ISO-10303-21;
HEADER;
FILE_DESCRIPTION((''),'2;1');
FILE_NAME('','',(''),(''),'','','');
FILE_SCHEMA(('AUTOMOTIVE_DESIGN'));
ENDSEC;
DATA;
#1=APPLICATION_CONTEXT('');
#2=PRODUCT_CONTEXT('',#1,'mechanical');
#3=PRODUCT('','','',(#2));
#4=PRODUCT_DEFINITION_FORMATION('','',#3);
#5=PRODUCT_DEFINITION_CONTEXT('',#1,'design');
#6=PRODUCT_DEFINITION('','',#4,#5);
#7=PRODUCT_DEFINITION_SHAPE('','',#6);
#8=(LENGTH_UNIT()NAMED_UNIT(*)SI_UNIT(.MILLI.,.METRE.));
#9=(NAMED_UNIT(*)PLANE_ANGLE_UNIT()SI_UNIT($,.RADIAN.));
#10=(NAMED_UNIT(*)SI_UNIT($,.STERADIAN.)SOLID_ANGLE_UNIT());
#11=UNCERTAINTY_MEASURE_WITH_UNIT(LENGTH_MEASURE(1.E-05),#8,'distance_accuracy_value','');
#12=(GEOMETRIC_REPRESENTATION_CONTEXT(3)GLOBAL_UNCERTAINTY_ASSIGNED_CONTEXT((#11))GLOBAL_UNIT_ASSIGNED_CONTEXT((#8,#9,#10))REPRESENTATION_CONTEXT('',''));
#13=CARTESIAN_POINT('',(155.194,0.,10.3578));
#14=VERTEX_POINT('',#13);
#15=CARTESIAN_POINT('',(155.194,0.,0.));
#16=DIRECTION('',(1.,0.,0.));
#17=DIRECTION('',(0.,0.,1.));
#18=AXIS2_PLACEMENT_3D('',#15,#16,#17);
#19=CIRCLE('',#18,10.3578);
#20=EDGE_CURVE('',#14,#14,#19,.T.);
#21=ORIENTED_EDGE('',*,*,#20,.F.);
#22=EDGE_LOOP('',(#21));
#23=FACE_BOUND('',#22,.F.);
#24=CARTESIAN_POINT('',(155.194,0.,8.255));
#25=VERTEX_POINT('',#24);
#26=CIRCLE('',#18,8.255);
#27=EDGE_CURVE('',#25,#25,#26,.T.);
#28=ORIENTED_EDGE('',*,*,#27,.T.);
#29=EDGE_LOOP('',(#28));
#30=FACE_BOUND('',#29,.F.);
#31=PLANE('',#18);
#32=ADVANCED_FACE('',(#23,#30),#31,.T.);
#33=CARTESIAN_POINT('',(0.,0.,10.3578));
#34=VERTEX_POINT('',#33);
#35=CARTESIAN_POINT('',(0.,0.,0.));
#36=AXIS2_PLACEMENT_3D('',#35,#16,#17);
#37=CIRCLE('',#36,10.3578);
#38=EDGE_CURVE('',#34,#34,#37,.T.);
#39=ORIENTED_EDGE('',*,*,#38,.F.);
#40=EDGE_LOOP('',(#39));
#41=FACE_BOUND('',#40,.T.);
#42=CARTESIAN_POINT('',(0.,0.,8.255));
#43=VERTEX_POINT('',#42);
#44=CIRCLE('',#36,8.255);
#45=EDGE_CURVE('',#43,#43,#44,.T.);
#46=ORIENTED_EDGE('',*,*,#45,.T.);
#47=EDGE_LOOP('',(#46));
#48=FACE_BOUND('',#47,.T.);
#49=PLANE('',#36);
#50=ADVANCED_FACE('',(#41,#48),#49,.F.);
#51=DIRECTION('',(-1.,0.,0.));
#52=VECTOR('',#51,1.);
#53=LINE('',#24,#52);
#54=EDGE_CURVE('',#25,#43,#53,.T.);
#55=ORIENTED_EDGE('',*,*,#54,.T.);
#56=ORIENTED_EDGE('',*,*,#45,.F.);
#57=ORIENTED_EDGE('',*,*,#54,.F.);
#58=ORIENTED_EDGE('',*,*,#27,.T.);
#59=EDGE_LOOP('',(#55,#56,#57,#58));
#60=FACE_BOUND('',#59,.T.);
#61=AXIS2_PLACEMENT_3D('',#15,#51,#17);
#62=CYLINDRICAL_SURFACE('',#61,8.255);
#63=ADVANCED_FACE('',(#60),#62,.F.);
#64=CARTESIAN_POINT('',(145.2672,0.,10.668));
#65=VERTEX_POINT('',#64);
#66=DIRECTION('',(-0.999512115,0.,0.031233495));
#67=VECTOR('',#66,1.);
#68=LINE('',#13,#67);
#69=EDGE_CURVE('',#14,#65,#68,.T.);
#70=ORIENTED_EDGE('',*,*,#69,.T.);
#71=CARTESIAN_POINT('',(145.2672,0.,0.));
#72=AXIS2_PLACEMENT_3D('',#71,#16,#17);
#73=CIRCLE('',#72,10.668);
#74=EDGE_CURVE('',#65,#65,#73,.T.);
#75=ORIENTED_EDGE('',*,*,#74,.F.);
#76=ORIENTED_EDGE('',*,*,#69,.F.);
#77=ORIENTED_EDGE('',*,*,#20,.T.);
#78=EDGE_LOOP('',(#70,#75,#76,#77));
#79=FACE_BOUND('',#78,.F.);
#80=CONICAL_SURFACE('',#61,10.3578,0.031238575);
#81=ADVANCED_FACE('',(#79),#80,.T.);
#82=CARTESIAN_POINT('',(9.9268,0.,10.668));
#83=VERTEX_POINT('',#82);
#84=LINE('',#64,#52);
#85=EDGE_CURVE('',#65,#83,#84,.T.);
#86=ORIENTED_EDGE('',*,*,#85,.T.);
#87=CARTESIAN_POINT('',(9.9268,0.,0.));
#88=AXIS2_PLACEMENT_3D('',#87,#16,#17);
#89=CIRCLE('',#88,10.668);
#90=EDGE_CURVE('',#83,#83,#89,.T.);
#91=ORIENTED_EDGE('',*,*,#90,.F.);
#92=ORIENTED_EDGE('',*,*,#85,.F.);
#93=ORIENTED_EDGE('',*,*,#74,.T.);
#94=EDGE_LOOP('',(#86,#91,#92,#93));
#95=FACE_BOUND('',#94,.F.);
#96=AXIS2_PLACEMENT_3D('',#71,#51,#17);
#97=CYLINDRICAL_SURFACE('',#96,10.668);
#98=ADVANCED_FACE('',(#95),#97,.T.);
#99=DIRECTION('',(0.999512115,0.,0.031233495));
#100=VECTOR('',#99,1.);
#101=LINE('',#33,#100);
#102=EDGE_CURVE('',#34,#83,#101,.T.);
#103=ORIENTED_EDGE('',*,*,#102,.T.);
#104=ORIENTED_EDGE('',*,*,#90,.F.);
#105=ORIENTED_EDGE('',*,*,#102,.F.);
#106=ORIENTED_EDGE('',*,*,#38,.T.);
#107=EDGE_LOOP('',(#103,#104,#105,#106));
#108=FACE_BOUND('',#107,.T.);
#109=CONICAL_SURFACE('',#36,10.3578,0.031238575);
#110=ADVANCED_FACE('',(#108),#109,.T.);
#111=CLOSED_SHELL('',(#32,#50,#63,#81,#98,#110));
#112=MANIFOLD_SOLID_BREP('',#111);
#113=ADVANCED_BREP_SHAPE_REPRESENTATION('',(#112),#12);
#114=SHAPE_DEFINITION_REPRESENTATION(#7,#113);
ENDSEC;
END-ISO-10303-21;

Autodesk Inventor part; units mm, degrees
ref_plane "YZ Plane" through (0, 0, 0) normal (1, 0, 0) x (0, 1, 0)
ref_plane "XZ Plane" through (0, 0, 0) normal (0, 1, 0) x (-1, 0, 0)
ref_plane "XY Plane" through (0, 0, 0) normal (0, 0, 1) x (1, 0, 0)
sketch "Sketch1" plane through (0, 0, 0) normal (0, 1, 0) x (-1, 0, 0)
  line L0 (0, 0) -> (-155.194, 0)
  line L1 (-155.194, 0) -> (-155.194, 8.255) construction
  line L2 (-155.194, 8.255) -> (-155.194, 10.3578)
  line L3 (-155.194, 10.3578) -> (-145.2672, 10.668)
  line L4 (-145.2672, 10.668) -> (-9.9268, 10.668)
  line L5 (-77.597, 0) -> (-77.597, 10.668) construction
  line L6 (-155.194, 8.255) -> (0, 8.255)
  line L7 (0, 0) -> (0, 8.255) construction
  line L8 (0, 8.255) -> (0, 10.3578)
  line L9 (0, 10.3578) -> (-9.9268, 10.668)
  line L10 (-141.638, 10.7814) -> (-141.638, 0) construction
  line L11 (-13.556, 10.7814) -> (-13.556, 0) construction
  line L12 (-145.2672, 10.668) -> (-141.638, 10.7814) construction
  line L13 (-145.2672, 10.668) -> (-145.2672, 0) construction
  line L14 (-9.9268, 10.668) -> (-13.556, 10.7814) construction
  line L15 (-9.9268, 10.668) -> (-9.9268, 0) construction
  dimension "d0" = 21.336
  dimension "d1" = 1.79
  dimension "d2" = 16.51
  dimension "d3" = 155.194
  dimension "d4" = 13.556
  dimension "d5" = 21.5628
revolve "Revolution1" add sketch "Sketch1" angle 360 about axis through (0, 0, 0) along (1, 0, 0)
thread "Thread1" size "1/2" designation "1/2 - 14 NPT" standard "NPT" full length
thread "Thread2" size "1/2" designation "1/2 - 14 NPT" standard "NPT" full length
equation "\"d0\" = OD"
equation "\"d2\" = ID"
equation "\"d3\" = L"
equation "\"d4\" = L2"
equation "\"d5\" = D2"
equation "\"OD\" = 21.336"
equation "\"t\" = 2.413"
equation "\"L\" = PL"
equation "\"L4\" = 19.8501"
equation "\"ID\" = 16.51"
equation "\"PL\" = 155.194"
equation "\"D2\" = 21.56282"
equation "\"L2\" = 13.55598"
equation "\"Size_Designation\" = 1.2345"
equation "\"PLmin\" = 2 * L2"
properties material "Steel, Wrought"
